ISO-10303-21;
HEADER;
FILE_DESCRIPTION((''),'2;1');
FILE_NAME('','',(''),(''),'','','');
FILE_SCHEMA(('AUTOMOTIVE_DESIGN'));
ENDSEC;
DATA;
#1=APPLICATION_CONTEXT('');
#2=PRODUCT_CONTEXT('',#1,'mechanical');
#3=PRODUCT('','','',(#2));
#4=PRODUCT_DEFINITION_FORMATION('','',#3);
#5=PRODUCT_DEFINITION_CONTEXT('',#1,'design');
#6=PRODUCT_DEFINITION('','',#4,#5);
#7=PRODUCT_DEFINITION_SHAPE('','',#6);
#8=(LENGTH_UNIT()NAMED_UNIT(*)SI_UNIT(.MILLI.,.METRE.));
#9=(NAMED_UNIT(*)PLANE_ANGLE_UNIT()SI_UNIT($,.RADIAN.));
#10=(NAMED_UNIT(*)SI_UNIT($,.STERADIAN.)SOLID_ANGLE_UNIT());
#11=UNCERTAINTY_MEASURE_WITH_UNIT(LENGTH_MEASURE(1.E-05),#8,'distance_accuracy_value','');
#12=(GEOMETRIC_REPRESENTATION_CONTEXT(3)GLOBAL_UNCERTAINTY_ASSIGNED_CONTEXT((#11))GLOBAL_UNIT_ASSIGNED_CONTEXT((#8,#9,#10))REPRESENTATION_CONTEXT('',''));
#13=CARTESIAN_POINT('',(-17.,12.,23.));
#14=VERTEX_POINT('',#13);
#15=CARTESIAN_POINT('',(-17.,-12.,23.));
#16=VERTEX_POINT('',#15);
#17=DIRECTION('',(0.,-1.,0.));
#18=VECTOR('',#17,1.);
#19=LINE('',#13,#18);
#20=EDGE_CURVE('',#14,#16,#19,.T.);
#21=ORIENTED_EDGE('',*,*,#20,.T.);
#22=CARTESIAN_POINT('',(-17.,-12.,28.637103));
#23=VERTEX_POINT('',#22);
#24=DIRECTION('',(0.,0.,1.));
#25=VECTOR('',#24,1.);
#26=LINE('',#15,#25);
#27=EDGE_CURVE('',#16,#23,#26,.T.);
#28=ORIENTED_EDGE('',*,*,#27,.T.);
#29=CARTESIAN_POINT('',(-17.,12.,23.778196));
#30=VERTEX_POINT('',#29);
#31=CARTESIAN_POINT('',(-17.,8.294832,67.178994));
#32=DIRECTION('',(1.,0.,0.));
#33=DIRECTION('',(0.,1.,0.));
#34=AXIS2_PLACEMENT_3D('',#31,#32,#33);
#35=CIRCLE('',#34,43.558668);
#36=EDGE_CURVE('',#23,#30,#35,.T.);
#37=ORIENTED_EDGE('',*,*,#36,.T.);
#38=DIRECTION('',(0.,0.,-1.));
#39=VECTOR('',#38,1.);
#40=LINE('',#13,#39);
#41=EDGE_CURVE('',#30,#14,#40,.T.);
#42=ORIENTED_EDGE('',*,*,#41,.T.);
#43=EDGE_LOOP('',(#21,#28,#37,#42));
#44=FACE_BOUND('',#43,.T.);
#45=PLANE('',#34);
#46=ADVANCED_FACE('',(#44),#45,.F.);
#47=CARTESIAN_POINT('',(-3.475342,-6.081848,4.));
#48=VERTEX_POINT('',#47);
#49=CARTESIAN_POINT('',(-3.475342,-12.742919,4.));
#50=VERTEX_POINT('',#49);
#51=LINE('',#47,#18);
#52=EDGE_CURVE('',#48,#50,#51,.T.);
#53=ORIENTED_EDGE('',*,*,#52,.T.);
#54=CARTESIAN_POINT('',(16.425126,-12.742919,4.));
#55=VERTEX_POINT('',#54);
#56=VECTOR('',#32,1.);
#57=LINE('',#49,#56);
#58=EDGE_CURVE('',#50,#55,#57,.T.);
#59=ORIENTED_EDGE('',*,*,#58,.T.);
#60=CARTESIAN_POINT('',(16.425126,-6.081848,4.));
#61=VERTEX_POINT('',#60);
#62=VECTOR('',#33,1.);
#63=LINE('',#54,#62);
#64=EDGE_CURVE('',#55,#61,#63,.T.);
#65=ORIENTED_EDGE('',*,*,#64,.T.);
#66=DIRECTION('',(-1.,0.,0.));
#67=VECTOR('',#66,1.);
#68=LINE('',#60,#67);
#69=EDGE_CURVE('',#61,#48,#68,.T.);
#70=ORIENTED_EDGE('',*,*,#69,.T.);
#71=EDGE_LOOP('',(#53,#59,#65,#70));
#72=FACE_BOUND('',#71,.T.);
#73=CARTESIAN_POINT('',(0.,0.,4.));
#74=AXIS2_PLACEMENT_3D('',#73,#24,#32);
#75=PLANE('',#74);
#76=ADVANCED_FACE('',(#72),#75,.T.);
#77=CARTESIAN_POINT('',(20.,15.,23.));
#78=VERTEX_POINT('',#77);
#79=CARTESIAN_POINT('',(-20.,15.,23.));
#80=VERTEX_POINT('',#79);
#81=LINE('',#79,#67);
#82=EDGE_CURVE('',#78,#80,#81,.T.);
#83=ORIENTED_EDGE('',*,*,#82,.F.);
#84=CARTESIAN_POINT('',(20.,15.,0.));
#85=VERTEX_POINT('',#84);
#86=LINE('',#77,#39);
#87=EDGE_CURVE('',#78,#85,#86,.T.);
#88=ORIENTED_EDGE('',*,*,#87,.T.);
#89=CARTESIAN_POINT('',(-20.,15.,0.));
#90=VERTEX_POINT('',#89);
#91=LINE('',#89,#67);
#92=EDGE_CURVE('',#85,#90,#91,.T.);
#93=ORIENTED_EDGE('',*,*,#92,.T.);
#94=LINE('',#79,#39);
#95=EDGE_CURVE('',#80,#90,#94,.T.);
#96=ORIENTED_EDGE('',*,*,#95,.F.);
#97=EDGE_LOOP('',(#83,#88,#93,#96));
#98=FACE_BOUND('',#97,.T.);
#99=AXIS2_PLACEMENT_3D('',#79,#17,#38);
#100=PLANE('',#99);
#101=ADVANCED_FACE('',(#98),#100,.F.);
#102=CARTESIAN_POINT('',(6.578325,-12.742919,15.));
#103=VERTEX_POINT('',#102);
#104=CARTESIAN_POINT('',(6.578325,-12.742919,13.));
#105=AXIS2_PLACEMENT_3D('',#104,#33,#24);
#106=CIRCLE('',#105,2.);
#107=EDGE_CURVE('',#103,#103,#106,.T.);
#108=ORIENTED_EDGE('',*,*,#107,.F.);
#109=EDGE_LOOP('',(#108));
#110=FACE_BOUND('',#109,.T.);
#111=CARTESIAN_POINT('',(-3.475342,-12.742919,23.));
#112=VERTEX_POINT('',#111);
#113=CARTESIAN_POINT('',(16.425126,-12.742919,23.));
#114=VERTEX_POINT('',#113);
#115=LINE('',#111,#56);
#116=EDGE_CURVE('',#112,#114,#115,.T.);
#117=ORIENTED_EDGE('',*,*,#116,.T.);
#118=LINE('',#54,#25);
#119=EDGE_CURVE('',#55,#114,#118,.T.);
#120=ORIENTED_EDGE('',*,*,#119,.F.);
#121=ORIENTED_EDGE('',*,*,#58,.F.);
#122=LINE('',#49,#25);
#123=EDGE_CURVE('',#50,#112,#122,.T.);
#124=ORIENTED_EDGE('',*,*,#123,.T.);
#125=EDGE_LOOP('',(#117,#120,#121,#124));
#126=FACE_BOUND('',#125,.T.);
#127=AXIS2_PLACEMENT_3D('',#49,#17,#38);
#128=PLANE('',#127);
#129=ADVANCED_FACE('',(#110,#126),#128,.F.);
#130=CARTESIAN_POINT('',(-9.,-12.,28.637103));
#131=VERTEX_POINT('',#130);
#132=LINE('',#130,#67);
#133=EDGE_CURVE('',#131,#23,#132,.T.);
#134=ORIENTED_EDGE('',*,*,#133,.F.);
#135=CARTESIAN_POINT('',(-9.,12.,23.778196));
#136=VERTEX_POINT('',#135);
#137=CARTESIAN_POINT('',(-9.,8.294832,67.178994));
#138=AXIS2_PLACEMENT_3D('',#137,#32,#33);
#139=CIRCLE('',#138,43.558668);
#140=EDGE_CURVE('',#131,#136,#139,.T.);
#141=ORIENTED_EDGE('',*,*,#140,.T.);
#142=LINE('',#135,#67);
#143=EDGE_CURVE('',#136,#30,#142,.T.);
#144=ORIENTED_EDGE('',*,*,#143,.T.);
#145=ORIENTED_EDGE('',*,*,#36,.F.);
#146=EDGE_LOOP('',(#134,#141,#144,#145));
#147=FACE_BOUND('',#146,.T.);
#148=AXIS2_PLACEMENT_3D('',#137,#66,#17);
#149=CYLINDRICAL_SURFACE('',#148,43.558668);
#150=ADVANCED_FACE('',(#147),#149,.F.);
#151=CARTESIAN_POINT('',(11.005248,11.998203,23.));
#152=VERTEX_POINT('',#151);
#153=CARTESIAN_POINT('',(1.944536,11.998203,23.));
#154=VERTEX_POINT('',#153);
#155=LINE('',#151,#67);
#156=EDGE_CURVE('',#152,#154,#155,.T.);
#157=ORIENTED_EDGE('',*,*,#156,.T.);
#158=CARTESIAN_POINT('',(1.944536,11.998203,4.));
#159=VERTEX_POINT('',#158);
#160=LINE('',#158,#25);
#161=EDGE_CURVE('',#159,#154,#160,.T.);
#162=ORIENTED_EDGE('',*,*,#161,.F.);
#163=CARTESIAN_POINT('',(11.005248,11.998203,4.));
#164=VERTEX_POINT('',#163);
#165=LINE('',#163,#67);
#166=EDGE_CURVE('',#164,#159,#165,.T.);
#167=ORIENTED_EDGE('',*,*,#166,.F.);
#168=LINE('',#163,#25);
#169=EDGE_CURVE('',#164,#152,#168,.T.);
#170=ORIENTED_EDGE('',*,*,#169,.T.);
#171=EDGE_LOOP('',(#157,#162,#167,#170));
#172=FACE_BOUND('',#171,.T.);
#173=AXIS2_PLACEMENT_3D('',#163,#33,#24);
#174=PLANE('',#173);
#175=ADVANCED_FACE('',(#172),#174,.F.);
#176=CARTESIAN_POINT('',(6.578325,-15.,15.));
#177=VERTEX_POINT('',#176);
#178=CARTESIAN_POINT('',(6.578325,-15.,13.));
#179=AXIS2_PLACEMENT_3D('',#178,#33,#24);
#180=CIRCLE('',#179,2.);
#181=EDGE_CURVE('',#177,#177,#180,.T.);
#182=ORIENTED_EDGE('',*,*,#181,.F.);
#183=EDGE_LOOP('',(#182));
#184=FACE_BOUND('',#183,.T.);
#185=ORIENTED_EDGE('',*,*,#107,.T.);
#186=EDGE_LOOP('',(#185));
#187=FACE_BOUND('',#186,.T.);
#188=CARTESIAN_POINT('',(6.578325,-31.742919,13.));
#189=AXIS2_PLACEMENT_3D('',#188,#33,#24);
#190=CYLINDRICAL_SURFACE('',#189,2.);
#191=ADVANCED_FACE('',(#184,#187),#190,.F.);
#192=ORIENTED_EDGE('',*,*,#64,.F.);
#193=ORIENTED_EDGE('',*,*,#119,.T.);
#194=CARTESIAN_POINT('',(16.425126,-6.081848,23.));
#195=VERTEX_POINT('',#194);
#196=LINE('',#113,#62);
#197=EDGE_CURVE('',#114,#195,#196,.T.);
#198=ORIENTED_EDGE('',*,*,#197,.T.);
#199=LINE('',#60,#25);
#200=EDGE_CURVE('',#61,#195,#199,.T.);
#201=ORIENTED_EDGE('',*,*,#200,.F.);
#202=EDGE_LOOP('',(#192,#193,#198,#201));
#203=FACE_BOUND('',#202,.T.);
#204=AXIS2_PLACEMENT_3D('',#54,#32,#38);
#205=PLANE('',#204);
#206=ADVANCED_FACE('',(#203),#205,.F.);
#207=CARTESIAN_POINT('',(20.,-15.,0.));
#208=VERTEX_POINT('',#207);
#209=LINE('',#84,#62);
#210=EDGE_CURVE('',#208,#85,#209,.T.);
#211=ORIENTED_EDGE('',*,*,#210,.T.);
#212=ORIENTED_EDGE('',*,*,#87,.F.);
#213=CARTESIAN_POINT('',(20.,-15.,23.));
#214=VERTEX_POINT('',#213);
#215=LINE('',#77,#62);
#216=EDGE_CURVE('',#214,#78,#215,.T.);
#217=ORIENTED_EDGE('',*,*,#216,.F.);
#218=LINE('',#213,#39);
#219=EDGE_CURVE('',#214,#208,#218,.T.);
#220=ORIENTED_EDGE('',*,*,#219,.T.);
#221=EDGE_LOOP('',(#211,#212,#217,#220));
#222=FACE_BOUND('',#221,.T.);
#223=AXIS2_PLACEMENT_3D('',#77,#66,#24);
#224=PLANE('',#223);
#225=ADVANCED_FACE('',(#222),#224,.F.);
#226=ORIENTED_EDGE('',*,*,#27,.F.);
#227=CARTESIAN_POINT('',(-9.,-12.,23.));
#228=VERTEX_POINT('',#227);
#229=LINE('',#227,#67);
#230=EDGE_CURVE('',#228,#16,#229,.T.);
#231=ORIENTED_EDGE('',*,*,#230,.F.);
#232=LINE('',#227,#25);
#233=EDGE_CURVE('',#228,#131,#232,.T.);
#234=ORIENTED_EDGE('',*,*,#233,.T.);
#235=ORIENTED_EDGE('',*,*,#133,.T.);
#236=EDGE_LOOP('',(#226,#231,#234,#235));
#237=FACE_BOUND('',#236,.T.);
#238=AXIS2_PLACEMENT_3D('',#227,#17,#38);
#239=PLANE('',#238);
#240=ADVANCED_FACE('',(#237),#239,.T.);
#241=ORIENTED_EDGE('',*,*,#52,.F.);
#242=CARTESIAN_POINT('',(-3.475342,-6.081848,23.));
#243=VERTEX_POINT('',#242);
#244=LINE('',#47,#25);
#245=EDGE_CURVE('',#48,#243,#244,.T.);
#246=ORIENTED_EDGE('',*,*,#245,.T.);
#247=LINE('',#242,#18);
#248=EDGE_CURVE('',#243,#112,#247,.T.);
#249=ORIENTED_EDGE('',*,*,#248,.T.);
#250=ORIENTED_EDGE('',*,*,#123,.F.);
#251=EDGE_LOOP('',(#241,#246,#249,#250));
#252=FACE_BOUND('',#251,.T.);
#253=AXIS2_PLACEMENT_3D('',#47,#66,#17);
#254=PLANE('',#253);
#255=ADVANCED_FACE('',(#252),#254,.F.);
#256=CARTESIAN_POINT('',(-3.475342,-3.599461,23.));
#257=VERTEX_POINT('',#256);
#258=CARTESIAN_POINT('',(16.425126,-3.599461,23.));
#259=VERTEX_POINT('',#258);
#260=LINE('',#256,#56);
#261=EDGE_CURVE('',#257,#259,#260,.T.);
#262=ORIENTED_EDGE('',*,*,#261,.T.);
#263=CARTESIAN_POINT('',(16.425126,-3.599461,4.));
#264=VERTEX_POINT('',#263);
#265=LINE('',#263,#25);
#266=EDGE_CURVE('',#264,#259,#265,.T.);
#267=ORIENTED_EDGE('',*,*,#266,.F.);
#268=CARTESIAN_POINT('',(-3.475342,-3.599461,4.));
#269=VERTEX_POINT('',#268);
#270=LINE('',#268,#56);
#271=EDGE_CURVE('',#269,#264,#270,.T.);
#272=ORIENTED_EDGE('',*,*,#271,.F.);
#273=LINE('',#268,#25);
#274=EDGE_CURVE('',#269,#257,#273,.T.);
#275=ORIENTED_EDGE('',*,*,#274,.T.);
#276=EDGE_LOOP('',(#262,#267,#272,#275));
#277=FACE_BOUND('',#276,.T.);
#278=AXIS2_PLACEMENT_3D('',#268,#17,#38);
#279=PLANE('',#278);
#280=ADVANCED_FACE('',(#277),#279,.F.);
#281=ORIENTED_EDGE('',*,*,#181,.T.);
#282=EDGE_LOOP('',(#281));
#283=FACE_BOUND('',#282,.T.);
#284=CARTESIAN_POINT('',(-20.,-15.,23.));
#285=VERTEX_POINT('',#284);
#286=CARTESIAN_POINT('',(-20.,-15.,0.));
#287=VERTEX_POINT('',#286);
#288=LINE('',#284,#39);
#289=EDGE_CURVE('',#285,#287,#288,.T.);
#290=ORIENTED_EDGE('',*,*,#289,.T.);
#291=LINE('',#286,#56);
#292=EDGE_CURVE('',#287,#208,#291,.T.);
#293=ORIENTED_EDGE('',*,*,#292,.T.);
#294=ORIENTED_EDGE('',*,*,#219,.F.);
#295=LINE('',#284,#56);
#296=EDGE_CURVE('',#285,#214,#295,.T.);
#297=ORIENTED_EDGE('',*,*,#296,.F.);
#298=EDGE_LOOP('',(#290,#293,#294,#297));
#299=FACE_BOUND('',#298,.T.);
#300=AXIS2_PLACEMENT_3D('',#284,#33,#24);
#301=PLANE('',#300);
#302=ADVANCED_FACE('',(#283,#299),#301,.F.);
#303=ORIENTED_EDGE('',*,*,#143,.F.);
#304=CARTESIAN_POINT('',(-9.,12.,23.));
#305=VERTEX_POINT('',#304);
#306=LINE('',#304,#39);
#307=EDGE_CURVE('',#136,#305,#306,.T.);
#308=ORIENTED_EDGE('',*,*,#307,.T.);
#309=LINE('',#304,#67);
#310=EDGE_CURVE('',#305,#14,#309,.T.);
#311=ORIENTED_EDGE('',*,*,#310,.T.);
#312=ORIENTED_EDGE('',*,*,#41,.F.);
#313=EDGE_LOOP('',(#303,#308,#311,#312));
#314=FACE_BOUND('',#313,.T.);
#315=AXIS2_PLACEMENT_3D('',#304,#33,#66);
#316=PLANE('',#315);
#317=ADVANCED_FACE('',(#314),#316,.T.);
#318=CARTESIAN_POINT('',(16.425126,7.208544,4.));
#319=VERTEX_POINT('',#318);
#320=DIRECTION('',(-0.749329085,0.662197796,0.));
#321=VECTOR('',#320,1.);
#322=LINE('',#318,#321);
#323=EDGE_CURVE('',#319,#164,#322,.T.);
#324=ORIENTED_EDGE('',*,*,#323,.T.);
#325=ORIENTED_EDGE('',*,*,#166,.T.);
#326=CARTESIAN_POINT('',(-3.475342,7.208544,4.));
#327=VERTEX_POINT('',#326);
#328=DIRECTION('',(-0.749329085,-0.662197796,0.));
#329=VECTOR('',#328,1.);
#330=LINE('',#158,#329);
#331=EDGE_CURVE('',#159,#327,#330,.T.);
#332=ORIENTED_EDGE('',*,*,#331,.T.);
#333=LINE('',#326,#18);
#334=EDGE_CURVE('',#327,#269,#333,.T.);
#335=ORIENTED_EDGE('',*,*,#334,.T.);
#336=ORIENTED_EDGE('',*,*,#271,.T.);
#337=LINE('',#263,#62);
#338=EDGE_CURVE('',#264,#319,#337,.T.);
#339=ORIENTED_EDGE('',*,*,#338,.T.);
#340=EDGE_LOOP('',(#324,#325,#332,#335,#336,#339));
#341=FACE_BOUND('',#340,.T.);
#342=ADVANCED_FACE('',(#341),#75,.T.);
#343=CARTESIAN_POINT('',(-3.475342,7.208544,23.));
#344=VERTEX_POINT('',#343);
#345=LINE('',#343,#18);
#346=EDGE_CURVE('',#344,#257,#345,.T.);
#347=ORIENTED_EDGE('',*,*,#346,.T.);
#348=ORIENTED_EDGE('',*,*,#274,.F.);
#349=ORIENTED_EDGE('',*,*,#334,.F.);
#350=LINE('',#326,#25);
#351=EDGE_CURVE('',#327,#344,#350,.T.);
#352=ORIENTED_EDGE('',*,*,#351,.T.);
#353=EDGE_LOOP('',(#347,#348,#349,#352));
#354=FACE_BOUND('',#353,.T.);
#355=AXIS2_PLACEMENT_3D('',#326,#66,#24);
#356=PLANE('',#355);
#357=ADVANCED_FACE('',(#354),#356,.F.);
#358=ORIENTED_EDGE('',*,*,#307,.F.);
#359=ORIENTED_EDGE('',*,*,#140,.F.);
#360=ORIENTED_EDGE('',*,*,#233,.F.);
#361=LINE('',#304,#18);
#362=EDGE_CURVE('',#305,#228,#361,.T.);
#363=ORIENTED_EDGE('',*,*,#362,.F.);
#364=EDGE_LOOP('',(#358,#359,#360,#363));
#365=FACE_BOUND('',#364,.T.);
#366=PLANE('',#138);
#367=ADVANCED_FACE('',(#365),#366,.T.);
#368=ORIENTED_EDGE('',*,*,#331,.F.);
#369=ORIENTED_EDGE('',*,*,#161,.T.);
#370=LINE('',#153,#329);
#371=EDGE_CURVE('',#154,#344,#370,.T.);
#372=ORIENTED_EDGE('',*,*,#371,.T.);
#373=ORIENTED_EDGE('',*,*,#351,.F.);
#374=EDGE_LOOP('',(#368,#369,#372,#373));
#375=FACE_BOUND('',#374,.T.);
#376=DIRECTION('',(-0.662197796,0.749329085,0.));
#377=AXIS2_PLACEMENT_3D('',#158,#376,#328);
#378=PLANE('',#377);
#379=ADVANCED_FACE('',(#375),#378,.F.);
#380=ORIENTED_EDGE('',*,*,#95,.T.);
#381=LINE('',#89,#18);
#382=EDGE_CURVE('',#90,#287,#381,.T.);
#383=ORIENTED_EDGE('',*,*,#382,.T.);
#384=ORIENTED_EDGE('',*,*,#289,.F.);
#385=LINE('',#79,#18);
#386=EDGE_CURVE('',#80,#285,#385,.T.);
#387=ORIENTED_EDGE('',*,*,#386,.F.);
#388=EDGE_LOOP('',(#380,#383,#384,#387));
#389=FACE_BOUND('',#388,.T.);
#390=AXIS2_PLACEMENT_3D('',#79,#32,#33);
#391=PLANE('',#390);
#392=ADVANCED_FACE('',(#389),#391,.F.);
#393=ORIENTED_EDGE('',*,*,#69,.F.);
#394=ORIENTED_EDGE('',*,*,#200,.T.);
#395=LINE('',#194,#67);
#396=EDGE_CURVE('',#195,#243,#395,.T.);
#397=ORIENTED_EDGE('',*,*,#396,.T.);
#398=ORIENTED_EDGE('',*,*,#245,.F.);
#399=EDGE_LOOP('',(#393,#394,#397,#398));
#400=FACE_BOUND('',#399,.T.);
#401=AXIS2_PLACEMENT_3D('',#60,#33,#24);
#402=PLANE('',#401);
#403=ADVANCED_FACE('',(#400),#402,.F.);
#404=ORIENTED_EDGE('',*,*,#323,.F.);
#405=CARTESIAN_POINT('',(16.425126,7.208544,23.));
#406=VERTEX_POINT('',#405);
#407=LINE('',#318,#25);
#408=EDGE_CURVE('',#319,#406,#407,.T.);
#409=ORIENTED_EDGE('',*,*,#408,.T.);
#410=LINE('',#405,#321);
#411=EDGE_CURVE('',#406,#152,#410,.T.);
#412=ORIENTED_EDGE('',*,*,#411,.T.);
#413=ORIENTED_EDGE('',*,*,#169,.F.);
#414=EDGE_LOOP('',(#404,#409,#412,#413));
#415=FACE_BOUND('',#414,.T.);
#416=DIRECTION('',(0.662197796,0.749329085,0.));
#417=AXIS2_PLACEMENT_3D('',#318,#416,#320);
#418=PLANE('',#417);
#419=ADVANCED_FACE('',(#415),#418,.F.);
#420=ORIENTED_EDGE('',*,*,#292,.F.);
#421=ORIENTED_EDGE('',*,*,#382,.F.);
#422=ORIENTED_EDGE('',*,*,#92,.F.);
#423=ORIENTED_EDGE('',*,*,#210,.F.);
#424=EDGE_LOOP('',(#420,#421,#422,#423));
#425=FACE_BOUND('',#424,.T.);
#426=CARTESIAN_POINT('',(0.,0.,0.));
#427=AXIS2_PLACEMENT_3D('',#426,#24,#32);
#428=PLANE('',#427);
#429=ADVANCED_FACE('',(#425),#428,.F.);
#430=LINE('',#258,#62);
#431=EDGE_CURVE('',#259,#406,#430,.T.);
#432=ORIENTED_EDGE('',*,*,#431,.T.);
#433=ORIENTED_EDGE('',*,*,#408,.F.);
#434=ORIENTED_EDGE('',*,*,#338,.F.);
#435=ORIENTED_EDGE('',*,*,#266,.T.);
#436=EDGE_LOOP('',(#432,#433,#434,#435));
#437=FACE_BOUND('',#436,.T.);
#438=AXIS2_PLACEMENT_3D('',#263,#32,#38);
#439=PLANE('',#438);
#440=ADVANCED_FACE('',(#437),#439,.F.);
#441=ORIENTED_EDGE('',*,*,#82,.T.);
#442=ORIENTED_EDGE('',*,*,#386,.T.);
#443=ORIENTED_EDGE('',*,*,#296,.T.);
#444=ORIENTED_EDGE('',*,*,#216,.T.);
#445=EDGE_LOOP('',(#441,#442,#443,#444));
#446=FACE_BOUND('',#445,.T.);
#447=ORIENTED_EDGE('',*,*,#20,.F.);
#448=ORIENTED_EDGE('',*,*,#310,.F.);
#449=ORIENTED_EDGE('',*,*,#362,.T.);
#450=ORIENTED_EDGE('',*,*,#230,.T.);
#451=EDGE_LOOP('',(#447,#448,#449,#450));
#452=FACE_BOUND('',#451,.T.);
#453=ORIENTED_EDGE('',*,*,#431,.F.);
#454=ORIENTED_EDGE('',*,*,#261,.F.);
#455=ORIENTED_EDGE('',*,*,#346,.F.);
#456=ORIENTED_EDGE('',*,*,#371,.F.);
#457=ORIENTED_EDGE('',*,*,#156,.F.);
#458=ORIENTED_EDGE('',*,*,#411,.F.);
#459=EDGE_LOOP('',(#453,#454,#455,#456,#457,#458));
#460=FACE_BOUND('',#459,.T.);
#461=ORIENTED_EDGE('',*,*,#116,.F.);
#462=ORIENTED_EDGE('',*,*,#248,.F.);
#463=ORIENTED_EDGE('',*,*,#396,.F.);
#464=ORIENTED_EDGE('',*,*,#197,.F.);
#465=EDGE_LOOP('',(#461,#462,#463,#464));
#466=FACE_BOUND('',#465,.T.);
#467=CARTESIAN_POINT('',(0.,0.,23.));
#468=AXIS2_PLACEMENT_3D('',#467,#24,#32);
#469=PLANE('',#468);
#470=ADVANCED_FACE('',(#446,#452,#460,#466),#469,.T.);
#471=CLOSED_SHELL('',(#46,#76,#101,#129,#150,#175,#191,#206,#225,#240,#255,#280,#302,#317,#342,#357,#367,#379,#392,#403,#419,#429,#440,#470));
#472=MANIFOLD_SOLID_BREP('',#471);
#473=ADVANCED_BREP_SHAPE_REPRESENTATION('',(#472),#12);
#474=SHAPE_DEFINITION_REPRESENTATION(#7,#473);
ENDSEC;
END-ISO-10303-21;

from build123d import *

# Parameters (mm, degrees)
SKETCH1_W           = 40
SKETCH1_H           = 30
BOSS_EXTRUDE1_DEPTH = 23
SKETCH2_W           = 19.900467999
SKETCH2_H           = 6.66107141
CUT_EXTRUDE1_DEPTH  = 19
SKETCH3_R           = 2
CUT_EXTRUDE2_DEPTH  = 19
BOSS_EXTRUDE2_DEPTH = 8


with BuildPart() as part:
    # Sketch1 → Boss-Extrude1 (new body)
    with BuildSketch(Plane.XY):
        Rectangle(SKETCH1_W, SKETCH1_H)
    extrude(amount=BOSS_EXTRUDE1_DEPTH)

    # Sketch2 → Cut-Extrude1 (cut)
    with BuildSketch(Plane.XY.offset(23)):
        Polygon((-3.475341605, 7.20854355), (-3.475341605, -3.599460948), (16.425126394, -3.599460948), (16.425126394, 7.20854355), (11.005248415, 11.99820316), (1.944536374, 11.99820316), align=None)
        with Locations((6.474892394, -9.412383513)):
            Rectangle(SKETCH2_W, SKETCH2_H)
    extrude(amount=-CUT_EXTRUDE1_DEPTH, mode=Mode.SUBTRACT)

    # Sketch3 → Cut-Extrude2 (cut)
    with BuildSketch(Plane(origin=(0, -12.742919218, 0), x_dir=(1, 0, 0), z_dir=(0, 1, 0))):
        with Locations((6.578325181, -13)):
            Circle(SKETCH3_R)
    extrude(amount=-CUT_EXTRUDE2_DEPTH, mode=Mode.SUBTRACT)

    # Sketch4 → Boss-Extrude2 (add)
    with BuildSketch(Plane.ZY.offset(17)):
        with BuildLine():
            Line((23, 12), (23.778195764, 12))
            ThreePointArc((23.778195764, 12), (24.486476148, -0.348459209), (28.637102986, -12))
            Line((28.637102986, -12), (23, -12))
            Line((23, -12), (23, 12))
        make_face()
    extrude(amount=-BOSS_EXTRUDE2_DEPTH)


solid = part.part
